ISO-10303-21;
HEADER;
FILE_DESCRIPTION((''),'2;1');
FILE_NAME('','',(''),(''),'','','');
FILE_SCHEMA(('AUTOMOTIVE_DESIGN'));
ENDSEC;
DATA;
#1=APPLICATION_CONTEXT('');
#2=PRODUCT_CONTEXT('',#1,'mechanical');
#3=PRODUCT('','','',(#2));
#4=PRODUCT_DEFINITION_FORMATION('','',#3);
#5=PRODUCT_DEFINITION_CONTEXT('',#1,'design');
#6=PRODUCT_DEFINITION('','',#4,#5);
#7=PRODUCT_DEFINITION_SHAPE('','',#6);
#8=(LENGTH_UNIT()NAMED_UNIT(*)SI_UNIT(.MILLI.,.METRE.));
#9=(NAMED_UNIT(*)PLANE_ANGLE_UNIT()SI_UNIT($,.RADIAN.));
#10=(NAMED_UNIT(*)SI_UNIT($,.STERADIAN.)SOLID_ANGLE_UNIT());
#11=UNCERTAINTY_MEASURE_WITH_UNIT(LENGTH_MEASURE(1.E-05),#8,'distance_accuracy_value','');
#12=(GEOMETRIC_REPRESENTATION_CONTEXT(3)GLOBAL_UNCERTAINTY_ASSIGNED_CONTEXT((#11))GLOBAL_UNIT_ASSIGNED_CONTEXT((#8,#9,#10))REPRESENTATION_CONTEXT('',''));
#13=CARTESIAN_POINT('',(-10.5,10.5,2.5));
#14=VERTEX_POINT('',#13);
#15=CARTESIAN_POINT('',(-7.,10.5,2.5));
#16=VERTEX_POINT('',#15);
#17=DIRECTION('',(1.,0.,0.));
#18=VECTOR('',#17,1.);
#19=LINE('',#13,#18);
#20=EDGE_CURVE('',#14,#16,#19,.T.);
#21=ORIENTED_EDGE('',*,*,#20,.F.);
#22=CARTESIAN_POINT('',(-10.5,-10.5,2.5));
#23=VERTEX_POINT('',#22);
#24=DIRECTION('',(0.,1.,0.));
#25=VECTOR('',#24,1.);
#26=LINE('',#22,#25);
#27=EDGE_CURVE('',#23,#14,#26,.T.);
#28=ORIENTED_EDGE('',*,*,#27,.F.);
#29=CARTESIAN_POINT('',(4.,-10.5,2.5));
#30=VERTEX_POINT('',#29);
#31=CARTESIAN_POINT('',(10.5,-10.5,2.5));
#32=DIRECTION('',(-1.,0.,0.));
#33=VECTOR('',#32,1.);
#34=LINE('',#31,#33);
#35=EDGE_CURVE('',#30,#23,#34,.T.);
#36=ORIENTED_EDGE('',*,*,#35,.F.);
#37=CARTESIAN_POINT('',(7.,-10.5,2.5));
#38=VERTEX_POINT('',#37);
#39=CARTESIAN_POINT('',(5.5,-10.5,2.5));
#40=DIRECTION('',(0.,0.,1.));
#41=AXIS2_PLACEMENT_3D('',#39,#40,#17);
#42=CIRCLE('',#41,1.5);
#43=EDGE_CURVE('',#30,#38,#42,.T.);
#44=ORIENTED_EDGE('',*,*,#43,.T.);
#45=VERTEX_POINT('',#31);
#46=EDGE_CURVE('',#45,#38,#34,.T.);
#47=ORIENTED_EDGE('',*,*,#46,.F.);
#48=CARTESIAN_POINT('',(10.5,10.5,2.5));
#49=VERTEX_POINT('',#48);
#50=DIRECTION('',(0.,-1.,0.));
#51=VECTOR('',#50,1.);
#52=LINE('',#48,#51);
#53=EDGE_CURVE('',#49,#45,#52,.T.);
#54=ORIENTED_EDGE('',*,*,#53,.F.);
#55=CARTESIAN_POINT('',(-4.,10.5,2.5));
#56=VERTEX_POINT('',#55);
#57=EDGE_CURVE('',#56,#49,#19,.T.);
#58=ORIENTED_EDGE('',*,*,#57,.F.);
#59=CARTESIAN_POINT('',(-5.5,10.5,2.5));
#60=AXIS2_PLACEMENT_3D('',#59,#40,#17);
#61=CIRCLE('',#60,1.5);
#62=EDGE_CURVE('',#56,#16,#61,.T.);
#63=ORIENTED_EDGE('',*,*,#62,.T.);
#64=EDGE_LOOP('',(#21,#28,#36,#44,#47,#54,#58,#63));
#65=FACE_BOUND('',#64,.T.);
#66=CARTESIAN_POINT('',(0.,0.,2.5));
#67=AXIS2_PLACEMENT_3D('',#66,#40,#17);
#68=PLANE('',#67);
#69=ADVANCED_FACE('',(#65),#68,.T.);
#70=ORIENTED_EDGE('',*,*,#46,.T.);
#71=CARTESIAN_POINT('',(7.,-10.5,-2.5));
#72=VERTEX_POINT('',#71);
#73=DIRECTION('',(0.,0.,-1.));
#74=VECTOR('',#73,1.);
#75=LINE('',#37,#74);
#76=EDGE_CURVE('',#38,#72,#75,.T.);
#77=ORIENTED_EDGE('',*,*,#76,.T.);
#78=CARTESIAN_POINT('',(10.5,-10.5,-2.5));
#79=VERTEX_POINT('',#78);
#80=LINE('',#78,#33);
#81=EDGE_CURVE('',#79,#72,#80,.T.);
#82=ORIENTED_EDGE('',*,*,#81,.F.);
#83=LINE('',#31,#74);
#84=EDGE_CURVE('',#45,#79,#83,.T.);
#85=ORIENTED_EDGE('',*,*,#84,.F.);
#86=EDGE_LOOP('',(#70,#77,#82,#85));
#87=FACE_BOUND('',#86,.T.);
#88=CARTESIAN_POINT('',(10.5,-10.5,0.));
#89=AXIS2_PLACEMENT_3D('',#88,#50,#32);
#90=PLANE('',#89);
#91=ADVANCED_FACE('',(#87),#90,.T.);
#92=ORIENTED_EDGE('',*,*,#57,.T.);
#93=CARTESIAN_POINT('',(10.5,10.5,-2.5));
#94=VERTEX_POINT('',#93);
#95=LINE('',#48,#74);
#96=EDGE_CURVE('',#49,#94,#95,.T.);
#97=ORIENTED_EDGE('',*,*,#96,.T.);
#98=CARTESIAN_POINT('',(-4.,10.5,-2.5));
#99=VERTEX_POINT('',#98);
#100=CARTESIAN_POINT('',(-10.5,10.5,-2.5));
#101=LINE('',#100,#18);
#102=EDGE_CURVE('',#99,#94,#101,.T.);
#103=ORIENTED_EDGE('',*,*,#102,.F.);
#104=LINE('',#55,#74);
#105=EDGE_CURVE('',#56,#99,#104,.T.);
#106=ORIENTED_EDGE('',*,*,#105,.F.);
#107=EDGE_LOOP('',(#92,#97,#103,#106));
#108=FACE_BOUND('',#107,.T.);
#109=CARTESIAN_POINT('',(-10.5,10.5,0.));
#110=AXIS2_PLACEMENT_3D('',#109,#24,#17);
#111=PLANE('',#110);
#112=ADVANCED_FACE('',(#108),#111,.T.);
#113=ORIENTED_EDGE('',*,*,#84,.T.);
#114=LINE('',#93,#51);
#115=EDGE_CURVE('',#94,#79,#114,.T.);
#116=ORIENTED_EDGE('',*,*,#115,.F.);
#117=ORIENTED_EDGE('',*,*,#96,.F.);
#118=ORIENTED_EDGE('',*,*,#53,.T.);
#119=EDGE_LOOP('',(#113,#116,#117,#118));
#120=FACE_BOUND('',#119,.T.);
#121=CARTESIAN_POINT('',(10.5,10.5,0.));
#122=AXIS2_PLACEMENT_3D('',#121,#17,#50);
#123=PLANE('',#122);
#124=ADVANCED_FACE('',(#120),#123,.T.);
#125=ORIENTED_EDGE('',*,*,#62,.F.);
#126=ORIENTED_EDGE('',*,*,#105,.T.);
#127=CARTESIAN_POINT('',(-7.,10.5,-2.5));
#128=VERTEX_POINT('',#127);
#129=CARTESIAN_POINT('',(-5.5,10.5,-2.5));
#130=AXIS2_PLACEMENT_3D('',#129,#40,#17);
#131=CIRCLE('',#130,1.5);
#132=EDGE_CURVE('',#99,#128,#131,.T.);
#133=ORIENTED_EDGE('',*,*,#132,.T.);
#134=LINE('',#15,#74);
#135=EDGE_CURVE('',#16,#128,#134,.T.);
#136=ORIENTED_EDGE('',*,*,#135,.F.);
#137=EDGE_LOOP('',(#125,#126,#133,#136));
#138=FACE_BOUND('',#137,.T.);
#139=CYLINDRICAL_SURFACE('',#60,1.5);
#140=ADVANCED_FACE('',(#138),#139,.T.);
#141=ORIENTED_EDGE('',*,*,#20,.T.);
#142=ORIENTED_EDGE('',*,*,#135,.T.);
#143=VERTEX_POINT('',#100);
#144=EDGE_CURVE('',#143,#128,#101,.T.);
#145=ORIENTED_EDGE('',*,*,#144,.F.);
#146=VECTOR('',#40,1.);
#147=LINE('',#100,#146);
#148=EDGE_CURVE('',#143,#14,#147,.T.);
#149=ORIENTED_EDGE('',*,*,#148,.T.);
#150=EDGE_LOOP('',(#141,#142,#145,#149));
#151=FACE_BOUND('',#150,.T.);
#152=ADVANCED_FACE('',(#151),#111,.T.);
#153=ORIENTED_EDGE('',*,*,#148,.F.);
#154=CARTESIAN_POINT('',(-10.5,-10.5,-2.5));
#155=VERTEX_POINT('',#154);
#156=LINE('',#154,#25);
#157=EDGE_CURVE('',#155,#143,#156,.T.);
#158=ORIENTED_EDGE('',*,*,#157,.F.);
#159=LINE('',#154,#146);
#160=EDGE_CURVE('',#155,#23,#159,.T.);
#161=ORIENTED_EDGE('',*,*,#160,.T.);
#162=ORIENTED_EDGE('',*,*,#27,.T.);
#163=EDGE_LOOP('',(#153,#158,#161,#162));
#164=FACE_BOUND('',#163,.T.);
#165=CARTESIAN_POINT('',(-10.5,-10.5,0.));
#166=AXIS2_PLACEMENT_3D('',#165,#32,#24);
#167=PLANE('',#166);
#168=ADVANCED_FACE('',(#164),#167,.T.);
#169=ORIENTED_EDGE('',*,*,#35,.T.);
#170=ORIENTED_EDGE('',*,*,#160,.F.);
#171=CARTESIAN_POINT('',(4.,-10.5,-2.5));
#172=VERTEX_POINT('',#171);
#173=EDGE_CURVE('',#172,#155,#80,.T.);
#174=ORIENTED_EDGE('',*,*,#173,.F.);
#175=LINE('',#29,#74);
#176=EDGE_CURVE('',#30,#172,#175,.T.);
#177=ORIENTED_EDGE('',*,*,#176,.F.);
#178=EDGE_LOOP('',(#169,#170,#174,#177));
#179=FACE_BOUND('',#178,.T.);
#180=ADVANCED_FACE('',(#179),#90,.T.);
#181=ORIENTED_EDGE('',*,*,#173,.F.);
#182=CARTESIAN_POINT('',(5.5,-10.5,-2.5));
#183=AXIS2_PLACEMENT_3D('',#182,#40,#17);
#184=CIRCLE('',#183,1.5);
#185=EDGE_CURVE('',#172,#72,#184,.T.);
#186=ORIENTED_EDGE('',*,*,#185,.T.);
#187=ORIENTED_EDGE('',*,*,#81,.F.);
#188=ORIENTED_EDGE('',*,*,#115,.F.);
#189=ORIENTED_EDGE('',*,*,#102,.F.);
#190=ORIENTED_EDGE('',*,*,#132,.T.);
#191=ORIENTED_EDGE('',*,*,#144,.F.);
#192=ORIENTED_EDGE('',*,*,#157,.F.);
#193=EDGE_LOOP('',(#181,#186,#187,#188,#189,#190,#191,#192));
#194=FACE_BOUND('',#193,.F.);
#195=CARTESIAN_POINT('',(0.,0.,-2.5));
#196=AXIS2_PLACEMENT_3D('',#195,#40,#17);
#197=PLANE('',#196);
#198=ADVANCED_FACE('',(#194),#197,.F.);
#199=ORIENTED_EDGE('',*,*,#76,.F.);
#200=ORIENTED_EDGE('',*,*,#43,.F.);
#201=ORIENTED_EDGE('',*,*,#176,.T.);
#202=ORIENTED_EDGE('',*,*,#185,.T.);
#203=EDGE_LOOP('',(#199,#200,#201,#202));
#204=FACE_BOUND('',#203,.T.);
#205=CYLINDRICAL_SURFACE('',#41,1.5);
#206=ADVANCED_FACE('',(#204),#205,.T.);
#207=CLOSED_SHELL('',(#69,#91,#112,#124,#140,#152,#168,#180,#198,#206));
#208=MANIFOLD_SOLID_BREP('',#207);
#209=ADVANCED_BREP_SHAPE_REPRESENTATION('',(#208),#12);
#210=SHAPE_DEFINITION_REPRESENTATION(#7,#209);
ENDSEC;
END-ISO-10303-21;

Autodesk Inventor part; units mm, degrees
ref_plane "YZ Plane" through (0, 0, 0) normal (1, 0, 0) x (0, 1, 0)
ref_plane "XZ Plane" through (0, 0, 0) normal (0, 1, 0) x (-1, 0, 0)
ref_plane "XY Plane" through (0, 0, 0) normal (0, 0, 1) x (1, 0, 0)
sketch "Skizze1" plane through (0, 0, 0) normal (0, 0, 1) x (1, 0, 0)
  line L0 (-10.5, 10.5) -> (10.5, 10.5)
  line L1 (10.5, 10.5) -> (10.5, -10.5)
  line L2 (10.5, -10.5) -> (-10.5, -10.5)
  line L3 (-10.5, -10.5) -> (-10.5, 10.5)
  line L4 (-10.5, 10.5) -> (10.5, -10.5) construction
  line L5 (10.5, 10.5) -> (-10.5, -10.5) construction
  point P0 (0, 0)
  dimension "d0" = 21
  dimension "d1" = 21
extrude "Extrusion1" add sketch "Skizze1" along normal mid plane 5
sketch "Skizze2" plane through (0, 0, 2.5) normal (0, 0, 1) x (1, 0, 0)
  line L0 (10.5, 10.5) -> (-10.5, 10.5) projected
  circle A0 centre (-5.5, 10.5) radius 1.5
  circle A1 centre (5.5, -10.5) radius 1.5
  line L1 (-10.5, -10.5) -> (10.5, -10.5) projected
  point P0 (0, 0)
  point P1 (0, -10.5)
  point P2 (7, -10.5)
  point P3 (4, -10.5)
  point P4 (-7, 10.5)
  point P5 (-4, 10.5)
  dimension "d4" = 3
  dimension "d5" = 3
  dimension "d6" = 5.5
  dimension "d7" = 5.5
extrude "Extrusion2" add sketch "Skizze2" against normal blind 5 contours L0 A0 | A1 L1 picked at (-5.1257, 11.0709) picked at (5.2587, -11.2635)
equation "\"d7\" = d6"
properties part number "Kühler"
